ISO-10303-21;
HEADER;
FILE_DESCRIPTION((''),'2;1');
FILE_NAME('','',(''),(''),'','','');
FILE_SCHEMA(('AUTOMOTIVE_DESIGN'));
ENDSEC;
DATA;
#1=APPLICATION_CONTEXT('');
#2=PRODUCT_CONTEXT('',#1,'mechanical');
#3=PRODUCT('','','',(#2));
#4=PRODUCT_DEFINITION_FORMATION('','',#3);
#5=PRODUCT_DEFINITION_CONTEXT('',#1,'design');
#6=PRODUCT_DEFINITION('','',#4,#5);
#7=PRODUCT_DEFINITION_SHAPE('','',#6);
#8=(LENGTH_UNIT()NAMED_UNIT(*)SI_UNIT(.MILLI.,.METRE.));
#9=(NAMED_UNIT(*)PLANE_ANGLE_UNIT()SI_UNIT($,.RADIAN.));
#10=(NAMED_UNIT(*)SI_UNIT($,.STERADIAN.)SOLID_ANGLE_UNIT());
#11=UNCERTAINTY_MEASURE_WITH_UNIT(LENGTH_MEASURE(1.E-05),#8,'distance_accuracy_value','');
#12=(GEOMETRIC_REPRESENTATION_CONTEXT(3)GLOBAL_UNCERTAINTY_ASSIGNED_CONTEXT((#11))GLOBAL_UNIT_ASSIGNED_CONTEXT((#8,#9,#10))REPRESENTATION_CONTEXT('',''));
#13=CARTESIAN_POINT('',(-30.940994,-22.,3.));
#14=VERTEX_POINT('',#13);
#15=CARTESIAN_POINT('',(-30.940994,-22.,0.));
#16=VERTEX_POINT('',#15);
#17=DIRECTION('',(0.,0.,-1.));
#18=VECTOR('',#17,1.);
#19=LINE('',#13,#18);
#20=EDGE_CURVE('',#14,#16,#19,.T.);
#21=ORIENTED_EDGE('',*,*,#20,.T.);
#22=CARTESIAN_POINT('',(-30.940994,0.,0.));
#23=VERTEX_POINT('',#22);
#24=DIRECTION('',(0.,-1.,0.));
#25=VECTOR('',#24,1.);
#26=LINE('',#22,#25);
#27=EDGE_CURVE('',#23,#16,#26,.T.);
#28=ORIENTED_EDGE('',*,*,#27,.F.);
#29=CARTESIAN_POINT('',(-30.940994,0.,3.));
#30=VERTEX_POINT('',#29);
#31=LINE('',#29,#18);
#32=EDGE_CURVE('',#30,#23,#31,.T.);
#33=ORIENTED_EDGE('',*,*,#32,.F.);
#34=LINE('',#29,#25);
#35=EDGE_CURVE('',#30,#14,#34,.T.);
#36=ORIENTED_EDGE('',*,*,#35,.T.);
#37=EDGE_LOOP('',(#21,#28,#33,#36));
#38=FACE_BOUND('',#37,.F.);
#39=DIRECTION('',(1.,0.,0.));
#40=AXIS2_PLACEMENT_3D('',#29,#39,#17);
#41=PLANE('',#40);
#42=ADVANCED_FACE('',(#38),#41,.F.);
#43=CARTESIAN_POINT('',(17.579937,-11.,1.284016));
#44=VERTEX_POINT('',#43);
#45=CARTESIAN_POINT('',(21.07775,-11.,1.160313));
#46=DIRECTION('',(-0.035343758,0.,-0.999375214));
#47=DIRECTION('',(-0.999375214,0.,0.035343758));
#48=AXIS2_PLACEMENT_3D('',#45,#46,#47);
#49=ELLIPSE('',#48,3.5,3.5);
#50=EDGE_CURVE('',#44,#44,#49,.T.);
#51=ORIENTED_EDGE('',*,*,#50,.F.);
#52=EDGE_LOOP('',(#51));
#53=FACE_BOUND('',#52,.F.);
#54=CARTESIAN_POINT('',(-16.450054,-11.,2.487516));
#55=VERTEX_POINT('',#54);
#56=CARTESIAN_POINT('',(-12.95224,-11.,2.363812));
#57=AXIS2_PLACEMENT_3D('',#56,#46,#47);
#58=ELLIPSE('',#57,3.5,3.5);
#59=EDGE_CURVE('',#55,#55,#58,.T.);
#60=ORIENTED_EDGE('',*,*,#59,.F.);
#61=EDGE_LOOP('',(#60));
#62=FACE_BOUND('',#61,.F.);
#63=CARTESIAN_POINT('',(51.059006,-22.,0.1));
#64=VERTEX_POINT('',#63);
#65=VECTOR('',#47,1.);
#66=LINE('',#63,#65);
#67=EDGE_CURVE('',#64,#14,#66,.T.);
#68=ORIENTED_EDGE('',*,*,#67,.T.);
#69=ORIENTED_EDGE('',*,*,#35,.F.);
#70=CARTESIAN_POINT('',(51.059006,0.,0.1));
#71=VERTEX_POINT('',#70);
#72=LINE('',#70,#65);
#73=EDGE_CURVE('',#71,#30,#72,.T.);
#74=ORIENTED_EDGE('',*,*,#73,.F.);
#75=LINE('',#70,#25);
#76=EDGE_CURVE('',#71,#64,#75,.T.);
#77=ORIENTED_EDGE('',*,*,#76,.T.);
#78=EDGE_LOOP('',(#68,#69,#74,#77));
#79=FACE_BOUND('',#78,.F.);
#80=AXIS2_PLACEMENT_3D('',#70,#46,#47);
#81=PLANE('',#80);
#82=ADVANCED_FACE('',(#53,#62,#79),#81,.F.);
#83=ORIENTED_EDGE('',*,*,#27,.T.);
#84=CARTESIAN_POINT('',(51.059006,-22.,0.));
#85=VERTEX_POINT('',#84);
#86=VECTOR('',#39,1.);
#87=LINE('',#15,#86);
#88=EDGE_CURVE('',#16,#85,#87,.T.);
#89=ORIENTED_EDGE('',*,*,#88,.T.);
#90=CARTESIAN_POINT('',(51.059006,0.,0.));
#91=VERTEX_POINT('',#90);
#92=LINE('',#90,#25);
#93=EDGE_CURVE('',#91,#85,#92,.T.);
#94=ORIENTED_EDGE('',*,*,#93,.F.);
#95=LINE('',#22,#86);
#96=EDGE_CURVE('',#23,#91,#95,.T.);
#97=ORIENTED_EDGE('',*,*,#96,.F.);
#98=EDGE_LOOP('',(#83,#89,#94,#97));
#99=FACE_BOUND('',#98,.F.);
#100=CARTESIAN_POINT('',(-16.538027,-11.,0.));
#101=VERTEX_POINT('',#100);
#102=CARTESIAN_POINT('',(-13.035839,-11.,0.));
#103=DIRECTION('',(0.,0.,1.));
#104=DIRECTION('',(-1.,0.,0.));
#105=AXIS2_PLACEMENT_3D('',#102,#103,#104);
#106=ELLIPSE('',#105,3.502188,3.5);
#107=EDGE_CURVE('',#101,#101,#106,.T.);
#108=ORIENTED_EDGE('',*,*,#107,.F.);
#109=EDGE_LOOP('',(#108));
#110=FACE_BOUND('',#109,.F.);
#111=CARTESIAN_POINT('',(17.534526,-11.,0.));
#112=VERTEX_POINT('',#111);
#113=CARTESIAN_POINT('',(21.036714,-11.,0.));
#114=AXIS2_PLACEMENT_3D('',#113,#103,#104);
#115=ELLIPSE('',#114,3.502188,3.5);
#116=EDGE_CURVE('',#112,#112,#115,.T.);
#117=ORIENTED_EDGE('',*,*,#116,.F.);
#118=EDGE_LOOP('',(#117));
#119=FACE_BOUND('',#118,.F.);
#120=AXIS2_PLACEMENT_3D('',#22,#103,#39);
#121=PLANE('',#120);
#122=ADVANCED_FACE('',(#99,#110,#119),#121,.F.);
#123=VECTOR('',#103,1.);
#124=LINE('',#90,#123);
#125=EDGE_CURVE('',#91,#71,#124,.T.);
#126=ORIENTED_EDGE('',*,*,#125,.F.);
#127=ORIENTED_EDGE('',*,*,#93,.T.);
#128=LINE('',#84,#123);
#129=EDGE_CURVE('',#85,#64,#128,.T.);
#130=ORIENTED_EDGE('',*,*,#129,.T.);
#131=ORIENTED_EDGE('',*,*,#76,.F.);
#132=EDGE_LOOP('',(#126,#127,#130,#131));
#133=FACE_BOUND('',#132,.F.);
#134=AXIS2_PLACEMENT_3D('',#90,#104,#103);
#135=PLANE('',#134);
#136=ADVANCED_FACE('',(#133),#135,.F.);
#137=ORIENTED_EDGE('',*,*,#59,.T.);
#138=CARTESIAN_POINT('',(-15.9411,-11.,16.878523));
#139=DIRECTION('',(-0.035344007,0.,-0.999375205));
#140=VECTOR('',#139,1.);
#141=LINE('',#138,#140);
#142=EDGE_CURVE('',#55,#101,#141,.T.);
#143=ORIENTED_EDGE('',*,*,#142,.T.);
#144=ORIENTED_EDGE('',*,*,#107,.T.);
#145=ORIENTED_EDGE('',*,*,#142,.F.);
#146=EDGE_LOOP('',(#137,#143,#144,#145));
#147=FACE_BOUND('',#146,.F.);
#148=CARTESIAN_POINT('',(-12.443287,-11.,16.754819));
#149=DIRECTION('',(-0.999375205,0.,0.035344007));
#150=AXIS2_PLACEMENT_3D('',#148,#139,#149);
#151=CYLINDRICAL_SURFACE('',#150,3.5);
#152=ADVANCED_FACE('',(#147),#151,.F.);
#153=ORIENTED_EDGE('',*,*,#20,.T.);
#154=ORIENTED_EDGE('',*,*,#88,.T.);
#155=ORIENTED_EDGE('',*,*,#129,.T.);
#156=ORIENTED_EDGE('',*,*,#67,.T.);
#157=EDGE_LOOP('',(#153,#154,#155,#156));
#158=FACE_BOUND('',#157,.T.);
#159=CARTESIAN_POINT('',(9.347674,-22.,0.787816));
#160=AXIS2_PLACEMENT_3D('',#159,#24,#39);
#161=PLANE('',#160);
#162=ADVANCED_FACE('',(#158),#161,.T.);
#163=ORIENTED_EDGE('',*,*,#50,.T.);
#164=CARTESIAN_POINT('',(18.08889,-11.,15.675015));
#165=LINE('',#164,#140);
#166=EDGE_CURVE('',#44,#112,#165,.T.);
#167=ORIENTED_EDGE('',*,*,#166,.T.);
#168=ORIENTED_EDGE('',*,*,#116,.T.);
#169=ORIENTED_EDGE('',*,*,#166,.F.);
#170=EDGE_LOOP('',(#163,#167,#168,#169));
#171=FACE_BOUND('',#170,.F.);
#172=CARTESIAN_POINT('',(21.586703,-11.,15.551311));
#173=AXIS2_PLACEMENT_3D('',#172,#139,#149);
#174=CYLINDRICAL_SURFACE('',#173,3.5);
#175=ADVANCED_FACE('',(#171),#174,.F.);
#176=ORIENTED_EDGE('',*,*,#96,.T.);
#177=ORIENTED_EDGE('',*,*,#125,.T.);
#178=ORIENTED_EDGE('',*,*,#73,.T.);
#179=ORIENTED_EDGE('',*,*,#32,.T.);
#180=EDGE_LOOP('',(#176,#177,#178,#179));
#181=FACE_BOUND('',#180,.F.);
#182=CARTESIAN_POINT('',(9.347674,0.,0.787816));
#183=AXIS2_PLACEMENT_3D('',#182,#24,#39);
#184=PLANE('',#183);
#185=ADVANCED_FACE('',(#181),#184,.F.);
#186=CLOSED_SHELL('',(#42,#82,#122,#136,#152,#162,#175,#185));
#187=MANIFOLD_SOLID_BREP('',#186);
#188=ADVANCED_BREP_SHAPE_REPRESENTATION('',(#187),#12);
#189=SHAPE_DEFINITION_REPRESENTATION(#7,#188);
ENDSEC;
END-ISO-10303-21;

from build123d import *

# Parameters (mm, degrees)
F1_DEPTH = 22
F3_D     = 7
F3_DEPTH = 14.4


with BuildPart() as f1:
    # F0 (on Front) → F1 (new body)
    with BuildSketch(Plane.XZ):
        Polygon((-30.940994, 3), (-30.940994, 0), (51.059006, 0), (51.059006, 0.1), align=None)
    extrude(amount=F1_DEPTH)

    # F3
    with Locations(Plane(origin=(0.067314, 0, 1.903365), x_dir=(0.999375, 0, -0.035344), z_dir=(0.035344, 0, 0.999375))):
        with Locations((-13.027694, -11), (21.023571, -11)):
            Hole(F3_D / 2, depth=F3_DEPTH)


solid = f1.part
